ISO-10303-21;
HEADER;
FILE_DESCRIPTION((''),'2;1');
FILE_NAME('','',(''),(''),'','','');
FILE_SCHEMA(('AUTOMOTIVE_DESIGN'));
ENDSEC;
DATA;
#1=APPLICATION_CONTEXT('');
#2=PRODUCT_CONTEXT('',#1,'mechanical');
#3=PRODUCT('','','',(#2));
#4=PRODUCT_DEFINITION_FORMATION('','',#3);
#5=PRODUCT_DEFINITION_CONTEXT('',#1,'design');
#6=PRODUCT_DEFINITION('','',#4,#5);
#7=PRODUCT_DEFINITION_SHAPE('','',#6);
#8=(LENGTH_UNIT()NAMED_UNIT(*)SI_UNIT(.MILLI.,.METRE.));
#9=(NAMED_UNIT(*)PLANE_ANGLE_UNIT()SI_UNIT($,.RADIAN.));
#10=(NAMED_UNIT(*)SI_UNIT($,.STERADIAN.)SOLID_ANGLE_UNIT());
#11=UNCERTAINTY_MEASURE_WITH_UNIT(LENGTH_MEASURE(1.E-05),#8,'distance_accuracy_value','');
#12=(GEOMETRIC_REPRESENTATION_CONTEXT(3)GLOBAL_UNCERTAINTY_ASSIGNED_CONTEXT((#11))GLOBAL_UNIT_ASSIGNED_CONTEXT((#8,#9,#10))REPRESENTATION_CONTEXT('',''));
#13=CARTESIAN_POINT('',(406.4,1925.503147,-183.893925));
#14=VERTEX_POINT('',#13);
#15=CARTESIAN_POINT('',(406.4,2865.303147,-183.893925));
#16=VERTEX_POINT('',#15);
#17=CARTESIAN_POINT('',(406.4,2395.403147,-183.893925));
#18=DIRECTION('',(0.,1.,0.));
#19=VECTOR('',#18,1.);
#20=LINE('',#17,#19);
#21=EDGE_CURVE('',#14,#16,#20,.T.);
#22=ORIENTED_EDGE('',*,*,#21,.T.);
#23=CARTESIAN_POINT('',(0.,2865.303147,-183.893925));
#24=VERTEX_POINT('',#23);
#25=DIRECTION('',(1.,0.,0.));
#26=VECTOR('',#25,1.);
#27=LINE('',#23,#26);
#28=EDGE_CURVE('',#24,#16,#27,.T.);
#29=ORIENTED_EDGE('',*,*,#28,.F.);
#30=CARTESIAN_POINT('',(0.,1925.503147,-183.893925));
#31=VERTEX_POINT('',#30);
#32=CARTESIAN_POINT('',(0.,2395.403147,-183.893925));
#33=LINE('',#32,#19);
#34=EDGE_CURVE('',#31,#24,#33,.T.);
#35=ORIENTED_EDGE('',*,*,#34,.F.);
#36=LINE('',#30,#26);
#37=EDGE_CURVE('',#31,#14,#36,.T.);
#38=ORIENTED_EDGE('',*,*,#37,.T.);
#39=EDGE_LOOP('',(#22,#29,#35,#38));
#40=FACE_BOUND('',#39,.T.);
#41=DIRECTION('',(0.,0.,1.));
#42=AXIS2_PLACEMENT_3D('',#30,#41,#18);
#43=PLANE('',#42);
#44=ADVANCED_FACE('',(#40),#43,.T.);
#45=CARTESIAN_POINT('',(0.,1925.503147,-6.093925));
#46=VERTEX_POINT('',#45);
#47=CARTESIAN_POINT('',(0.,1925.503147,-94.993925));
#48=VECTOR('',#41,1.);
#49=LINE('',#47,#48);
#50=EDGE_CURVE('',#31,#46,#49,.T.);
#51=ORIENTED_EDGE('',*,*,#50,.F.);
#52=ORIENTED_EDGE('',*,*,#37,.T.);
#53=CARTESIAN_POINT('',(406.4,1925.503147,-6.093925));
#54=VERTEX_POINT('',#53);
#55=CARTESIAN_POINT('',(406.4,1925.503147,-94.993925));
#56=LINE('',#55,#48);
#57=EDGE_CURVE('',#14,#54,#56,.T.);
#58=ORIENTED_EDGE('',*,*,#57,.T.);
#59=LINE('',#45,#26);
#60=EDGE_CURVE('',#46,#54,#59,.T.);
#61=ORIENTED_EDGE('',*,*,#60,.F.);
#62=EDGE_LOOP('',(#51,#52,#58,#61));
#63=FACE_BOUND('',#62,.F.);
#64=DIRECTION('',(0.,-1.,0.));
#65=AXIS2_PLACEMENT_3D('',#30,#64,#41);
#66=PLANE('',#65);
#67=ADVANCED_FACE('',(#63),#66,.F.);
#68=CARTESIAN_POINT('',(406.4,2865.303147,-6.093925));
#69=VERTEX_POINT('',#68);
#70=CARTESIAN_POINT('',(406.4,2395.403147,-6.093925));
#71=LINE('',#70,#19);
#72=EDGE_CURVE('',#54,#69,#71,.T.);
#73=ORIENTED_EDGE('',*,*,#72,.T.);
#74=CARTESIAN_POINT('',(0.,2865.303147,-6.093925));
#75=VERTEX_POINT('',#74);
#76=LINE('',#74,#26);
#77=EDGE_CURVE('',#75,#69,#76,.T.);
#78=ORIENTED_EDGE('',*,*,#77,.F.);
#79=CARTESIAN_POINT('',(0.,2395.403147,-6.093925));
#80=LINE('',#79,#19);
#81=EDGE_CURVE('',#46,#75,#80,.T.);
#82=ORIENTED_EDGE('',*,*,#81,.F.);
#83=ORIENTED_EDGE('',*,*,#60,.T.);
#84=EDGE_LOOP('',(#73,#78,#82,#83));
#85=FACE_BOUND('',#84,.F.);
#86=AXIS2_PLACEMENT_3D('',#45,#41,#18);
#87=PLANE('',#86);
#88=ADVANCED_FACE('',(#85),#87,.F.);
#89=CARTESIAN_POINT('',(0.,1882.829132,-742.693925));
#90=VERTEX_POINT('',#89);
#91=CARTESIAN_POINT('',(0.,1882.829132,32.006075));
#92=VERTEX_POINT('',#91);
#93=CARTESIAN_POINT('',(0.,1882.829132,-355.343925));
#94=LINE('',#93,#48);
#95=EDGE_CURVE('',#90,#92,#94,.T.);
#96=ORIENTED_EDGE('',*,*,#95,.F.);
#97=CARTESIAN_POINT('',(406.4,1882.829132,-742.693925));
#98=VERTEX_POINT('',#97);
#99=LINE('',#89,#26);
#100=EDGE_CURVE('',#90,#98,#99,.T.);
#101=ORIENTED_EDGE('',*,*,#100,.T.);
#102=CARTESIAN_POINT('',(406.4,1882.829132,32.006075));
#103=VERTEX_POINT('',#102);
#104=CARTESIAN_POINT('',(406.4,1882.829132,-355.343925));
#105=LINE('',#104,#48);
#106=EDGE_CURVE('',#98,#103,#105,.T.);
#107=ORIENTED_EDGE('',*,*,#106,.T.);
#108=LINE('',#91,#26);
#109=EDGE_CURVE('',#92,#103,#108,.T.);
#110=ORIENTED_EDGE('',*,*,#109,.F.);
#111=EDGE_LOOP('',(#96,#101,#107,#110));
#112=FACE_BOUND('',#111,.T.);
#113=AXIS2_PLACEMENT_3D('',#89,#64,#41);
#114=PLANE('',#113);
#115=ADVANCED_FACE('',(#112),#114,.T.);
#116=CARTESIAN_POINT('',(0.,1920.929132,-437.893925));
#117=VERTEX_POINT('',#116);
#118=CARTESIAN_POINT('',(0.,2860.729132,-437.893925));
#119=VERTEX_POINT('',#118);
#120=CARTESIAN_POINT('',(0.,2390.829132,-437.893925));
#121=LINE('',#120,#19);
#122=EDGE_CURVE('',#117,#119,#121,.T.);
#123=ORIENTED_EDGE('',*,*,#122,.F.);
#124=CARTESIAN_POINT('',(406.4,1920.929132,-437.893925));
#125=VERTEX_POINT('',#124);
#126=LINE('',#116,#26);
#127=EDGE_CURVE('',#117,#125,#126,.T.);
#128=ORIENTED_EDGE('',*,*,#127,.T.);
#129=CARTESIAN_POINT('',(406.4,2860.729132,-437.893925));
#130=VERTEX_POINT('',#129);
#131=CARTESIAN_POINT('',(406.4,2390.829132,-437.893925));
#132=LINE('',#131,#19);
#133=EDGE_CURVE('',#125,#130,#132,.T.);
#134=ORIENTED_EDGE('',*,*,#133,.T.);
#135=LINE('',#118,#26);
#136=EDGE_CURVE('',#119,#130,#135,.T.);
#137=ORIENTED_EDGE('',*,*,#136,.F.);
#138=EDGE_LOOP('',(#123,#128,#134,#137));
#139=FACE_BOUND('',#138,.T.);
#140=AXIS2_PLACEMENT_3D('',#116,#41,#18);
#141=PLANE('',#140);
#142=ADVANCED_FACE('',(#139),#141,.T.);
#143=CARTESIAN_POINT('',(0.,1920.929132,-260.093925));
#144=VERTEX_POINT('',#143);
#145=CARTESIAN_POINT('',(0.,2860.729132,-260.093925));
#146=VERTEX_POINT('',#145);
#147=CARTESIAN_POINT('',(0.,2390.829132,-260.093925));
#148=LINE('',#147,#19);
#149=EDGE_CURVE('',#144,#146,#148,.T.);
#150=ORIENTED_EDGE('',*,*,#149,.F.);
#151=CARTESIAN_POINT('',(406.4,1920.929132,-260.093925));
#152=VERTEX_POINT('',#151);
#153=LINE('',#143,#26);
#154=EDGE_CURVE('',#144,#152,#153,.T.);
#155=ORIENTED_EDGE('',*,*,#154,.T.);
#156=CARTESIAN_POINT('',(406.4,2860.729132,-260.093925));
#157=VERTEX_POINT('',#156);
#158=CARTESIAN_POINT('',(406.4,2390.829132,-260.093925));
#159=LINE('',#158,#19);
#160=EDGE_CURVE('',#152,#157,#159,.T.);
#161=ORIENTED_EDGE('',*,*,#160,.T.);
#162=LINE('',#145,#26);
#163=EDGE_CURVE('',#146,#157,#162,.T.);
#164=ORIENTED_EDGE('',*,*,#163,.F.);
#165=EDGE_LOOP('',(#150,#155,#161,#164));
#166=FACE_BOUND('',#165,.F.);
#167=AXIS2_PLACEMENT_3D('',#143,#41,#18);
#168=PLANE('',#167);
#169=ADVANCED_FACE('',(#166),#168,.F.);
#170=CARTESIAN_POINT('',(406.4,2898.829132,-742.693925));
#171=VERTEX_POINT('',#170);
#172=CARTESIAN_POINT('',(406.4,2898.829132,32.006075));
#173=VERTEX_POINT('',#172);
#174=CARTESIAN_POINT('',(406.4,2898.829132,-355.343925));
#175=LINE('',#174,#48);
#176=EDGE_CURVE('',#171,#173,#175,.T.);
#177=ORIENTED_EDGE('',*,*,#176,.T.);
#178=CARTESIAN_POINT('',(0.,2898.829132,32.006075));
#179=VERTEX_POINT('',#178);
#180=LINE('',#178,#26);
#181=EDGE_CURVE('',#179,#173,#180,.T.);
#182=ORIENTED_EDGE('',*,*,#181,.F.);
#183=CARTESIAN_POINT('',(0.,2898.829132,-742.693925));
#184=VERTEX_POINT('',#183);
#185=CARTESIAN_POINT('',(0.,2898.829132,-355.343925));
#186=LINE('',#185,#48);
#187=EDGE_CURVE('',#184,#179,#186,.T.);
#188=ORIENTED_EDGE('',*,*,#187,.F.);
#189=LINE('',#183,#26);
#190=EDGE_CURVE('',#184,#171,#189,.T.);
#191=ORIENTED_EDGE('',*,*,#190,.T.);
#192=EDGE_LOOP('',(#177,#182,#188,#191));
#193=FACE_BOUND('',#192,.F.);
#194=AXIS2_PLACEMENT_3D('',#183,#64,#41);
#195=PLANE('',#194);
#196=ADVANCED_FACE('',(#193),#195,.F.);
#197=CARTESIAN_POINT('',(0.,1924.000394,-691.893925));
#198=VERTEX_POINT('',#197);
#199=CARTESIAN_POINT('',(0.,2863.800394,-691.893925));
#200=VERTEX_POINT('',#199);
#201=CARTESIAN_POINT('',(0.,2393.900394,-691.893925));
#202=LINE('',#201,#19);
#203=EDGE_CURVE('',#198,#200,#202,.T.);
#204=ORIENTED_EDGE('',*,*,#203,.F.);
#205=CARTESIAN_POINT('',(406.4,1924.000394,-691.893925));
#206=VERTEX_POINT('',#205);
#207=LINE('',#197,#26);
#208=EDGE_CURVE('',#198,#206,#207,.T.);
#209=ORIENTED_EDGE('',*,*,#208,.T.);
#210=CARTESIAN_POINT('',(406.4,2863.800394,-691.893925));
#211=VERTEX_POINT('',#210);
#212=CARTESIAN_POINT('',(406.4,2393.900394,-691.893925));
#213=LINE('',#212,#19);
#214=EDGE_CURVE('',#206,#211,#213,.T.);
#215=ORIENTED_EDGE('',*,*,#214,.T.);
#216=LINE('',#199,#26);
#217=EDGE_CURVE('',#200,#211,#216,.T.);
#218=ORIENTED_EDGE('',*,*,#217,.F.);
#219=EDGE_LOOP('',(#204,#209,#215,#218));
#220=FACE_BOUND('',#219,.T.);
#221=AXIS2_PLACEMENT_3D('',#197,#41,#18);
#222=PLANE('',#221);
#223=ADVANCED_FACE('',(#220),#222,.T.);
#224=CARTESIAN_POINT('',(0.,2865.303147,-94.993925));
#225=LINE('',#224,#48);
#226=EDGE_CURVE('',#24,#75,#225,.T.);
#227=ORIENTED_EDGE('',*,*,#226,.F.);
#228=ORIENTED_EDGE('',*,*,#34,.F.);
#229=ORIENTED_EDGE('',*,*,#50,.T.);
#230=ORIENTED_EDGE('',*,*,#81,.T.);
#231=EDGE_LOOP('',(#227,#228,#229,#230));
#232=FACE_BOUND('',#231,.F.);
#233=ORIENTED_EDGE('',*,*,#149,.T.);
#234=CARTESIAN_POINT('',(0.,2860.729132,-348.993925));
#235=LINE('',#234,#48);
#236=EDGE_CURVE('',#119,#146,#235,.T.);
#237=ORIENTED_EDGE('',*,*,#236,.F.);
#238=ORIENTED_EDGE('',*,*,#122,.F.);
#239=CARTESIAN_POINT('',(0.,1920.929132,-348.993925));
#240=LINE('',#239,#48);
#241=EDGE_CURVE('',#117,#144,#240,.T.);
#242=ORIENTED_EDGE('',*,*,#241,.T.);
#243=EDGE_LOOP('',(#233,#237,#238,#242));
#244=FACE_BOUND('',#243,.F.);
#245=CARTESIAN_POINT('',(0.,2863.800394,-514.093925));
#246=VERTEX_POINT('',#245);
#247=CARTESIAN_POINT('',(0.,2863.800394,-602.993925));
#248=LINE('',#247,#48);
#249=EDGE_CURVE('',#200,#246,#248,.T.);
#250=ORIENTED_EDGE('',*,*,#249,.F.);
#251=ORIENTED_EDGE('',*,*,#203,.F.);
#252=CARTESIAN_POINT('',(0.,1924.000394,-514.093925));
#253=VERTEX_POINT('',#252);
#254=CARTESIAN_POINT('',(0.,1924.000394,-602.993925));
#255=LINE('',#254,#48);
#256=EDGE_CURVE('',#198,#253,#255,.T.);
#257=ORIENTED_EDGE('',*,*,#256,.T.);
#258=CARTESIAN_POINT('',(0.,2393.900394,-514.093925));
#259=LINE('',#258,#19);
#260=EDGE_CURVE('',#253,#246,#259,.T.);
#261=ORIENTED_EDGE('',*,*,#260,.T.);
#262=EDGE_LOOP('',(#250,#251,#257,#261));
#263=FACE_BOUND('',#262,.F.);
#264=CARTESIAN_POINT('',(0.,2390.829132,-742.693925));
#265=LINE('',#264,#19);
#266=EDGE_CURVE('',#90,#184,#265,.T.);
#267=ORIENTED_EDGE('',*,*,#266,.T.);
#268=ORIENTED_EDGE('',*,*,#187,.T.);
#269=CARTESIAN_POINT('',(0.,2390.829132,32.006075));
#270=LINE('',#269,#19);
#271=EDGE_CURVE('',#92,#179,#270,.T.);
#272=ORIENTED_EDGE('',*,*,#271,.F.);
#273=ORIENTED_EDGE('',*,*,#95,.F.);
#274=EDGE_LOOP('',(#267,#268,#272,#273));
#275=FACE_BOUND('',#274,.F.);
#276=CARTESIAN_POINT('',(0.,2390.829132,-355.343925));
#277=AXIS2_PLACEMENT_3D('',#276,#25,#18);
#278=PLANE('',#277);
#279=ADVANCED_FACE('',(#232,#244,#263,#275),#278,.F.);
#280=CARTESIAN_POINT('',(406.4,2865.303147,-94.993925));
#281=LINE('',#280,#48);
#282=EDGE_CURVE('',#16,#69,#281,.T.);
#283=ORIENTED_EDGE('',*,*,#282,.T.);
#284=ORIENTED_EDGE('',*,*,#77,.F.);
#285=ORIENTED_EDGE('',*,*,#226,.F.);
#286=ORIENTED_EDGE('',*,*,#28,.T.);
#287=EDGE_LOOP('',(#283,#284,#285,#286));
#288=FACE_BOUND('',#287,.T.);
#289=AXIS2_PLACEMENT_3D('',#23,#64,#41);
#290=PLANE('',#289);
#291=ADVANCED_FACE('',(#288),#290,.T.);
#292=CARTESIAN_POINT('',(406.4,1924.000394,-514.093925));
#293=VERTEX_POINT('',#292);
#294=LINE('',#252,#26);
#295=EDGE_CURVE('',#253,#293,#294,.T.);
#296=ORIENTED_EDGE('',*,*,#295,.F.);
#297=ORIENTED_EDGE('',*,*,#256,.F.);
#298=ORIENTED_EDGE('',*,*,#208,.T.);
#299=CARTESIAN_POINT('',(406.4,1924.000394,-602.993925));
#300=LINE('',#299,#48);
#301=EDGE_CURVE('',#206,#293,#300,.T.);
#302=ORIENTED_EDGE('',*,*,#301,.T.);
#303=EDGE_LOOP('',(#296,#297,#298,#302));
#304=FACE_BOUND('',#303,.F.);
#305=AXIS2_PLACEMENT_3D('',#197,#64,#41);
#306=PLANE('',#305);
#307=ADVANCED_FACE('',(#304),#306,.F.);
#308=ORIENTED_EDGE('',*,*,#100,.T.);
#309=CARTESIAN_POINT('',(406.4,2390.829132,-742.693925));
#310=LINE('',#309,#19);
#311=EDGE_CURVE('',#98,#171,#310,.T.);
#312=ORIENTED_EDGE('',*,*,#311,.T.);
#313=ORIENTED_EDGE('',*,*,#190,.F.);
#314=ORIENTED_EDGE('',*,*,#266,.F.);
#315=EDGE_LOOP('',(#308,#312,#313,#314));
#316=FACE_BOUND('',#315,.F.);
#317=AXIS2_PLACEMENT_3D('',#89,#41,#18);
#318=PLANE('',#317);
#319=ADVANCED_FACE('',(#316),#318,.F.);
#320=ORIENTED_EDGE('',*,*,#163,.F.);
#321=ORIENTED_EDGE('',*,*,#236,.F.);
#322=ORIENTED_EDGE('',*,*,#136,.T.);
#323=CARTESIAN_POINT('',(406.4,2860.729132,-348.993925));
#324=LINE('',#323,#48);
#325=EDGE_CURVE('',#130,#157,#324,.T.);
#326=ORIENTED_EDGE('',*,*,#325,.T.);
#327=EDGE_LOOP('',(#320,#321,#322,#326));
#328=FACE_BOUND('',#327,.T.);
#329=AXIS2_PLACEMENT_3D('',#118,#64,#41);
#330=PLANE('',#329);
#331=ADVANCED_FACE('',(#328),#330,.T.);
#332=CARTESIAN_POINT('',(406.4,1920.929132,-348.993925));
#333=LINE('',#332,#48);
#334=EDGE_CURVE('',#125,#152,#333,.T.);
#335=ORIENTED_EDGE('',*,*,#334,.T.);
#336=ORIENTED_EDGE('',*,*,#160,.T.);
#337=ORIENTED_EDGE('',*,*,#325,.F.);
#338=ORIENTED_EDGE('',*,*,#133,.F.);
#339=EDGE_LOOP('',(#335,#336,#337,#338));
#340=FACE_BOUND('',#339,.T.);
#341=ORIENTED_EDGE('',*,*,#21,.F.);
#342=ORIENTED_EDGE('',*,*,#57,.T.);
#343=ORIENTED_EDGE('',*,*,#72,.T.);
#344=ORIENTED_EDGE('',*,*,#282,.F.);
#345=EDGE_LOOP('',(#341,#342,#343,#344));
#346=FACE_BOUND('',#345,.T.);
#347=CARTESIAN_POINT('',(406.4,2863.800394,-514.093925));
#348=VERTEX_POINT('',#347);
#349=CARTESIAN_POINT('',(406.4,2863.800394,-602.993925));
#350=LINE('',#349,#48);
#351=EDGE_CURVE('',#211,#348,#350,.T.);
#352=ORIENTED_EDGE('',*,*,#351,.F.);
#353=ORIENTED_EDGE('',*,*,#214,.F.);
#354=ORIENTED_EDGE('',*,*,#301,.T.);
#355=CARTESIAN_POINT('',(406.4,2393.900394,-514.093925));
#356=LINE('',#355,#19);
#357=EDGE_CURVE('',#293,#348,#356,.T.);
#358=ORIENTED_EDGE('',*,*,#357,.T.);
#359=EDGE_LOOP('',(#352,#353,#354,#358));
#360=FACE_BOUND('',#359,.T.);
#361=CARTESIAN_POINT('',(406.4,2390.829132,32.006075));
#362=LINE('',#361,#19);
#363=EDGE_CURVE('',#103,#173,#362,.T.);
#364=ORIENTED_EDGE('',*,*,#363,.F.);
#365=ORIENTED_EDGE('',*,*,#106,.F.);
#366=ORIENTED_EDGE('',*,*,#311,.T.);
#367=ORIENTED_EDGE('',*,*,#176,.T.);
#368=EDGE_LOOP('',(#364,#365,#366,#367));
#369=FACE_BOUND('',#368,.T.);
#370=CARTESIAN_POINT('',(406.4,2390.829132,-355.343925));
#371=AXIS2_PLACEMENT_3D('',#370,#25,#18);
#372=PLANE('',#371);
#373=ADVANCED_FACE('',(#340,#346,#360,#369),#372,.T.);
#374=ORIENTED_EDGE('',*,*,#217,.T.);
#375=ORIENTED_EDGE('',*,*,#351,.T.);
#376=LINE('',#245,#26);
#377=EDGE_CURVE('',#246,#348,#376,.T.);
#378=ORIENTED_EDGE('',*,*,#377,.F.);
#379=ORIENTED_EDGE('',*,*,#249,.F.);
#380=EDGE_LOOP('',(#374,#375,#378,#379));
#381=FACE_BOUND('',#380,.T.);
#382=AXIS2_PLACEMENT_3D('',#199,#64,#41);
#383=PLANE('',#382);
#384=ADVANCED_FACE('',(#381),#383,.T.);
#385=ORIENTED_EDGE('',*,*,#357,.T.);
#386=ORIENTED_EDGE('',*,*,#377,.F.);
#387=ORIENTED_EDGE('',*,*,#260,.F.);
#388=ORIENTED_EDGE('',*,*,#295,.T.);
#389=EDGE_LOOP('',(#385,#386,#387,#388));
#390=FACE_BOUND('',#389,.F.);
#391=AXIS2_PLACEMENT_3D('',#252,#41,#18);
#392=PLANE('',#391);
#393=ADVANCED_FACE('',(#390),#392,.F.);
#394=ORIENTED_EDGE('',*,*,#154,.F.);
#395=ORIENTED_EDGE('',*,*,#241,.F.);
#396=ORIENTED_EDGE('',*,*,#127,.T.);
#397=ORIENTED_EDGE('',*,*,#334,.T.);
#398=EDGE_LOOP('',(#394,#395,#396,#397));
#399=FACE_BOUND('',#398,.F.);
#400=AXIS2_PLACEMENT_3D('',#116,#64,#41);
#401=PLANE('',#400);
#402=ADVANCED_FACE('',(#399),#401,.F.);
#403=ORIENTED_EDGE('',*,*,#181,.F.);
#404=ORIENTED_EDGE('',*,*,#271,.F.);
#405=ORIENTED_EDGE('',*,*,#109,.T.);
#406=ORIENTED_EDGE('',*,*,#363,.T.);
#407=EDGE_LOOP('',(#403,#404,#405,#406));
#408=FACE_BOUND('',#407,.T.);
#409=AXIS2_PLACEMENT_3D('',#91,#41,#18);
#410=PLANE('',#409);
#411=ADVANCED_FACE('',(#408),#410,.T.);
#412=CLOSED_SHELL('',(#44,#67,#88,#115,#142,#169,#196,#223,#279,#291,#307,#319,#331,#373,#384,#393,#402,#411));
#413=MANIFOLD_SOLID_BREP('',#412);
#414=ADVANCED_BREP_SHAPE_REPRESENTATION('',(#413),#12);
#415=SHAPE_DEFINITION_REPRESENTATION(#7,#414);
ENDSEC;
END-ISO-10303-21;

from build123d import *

# Parameters (mm, degrees)
F1_W     = 1016
F1_H     = 774.7
F1_W_2   = 939.8
F1_H_2   = 177.8
F2_DEPTH = 406.4


with BuildPart() as f2:
    # F1 (on face) → F2 (new body)
    with BuildSketch(Plane.YZ):
        with Locations((2390.829132, -355.343925)):
            Rectangle(F1_W, F1_H)
        with Locations((2393.900394, -602.993925)):
            Rectangle(F1_W_2, F1_H_2, mode=Mode.SUBTRACT)
        with Locations((2390.829132, -348.993925)):
            Rectangle(F1_W_2, F1_H_2, mode=Mode.SUBTRACT)
        with Locations((2395.403147, -94.993925)):
            Rectangle(F1_W_2, F1_H_2, mode=Mode.SUBTRACT)
    extrude(amount=F2_DEPTH)


solid = f2.part
